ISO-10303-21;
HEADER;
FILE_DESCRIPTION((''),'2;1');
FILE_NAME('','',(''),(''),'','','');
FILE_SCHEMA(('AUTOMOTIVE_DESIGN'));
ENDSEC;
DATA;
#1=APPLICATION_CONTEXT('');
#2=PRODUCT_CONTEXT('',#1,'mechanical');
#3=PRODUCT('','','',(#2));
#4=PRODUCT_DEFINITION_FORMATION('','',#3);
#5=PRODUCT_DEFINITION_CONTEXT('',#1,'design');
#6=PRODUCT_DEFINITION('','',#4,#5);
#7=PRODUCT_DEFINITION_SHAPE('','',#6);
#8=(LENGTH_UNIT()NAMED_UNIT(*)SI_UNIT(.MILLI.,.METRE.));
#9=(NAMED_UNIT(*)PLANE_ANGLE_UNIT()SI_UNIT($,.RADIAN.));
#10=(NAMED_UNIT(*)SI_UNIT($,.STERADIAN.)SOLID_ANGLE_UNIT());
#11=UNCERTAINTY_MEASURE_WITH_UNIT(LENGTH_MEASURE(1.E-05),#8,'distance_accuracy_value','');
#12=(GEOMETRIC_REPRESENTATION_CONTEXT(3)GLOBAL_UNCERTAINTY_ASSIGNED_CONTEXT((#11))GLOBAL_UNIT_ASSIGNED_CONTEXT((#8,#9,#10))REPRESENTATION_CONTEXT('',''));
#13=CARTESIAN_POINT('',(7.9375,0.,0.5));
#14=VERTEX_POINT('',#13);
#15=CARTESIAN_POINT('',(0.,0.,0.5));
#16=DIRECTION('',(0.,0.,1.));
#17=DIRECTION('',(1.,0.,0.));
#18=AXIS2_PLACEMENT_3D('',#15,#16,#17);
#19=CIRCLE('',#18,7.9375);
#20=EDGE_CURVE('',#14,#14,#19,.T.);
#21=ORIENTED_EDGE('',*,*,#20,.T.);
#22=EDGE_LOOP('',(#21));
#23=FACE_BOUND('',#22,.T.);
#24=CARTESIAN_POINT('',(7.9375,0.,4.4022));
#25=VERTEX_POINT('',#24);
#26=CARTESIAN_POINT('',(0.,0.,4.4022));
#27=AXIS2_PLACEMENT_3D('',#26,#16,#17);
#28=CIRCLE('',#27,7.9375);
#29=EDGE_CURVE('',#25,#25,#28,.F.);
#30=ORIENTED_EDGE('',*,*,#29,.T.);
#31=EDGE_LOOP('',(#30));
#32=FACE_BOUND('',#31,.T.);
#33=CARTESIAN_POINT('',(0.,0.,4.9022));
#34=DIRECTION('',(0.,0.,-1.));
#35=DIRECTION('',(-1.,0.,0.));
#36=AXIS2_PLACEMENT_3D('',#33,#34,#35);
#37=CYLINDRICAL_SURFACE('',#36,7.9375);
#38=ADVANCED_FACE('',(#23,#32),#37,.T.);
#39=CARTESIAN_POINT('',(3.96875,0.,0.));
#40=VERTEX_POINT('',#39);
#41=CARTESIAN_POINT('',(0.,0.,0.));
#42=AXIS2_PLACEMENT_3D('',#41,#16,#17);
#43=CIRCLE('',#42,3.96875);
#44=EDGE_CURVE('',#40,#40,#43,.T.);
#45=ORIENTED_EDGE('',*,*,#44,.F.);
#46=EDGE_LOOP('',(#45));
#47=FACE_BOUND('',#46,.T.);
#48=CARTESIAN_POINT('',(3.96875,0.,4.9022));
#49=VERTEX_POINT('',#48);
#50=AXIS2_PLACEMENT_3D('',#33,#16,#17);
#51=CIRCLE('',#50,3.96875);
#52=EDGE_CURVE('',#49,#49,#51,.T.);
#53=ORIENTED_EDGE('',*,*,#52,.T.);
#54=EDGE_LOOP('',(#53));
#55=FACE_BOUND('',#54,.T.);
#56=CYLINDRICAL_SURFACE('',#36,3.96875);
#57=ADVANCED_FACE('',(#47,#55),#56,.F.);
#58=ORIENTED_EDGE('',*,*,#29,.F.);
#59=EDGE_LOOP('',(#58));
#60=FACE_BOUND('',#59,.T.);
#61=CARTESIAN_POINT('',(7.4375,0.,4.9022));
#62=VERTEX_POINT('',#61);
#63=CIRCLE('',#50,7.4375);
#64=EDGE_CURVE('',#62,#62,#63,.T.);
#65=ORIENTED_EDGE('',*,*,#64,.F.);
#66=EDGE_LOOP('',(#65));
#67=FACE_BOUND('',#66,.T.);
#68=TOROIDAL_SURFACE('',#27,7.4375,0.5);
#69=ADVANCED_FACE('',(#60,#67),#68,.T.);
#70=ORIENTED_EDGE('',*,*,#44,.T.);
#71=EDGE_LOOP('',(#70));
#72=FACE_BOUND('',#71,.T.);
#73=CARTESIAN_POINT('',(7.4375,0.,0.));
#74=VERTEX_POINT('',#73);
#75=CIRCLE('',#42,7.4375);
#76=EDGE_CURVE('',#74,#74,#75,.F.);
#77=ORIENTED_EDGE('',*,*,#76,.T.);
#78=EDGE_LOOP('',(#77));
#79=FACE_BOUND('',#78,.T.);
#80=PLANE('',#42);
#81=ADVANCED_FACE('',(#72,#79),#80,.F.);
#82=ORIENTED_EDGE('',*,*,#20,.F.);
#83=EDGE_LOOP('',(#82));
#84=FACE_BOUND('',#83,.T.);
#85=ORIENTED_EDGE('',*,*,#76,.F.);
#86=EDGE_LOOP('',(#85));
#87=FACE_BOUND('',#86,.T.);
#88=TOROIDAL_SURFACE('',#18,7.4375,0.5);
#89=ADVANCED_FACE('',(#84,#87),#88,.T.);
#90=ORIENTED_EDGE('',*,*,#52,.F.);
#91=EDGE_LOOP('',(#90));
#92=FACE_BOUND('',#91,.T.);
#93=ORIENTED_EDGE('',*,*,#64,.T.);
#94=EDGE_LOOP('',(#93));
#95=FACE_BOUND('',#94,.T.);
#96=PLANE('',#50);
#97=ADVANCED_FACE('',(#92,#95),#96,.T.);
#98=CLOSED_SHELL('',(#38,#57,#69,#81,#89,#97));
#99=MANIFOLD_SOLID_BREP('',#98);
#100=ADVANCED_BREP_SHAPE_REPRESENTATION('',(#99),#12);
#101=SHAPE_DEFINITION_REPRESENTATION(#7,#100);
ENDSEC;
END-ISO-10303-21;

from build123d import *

# Parameters (mm, degrees)
SKETCH1_R           = 7.9375
SKETCH1_R_2         = 3.96875
BOSS_EXTRUDE1_DEPTH = 4.9022
FILLET1_R           = 0.5


with BuildPart() as part:
    # Sketch1 → Boss-Extrude1 (new body)
    with BuildSketch(Plane.XY):
        Circle(SKETCH1_R)
        Circle(SKETCH1_R_2, mode=Mode.SUBTRACT)
    extrude(amount=BOSS_EXTRUDE1_DEPTH)

    # Fillet1
    fillet1_edges = [part.edges().sort_by_distance(p)[0] for p in [
        (-7.9375, 0, 0),
        (-7.9375, 0, 4.9022),
    ]]
    fillet(fillet1_edges, radius=FILLET1_R)


solid = part.part
